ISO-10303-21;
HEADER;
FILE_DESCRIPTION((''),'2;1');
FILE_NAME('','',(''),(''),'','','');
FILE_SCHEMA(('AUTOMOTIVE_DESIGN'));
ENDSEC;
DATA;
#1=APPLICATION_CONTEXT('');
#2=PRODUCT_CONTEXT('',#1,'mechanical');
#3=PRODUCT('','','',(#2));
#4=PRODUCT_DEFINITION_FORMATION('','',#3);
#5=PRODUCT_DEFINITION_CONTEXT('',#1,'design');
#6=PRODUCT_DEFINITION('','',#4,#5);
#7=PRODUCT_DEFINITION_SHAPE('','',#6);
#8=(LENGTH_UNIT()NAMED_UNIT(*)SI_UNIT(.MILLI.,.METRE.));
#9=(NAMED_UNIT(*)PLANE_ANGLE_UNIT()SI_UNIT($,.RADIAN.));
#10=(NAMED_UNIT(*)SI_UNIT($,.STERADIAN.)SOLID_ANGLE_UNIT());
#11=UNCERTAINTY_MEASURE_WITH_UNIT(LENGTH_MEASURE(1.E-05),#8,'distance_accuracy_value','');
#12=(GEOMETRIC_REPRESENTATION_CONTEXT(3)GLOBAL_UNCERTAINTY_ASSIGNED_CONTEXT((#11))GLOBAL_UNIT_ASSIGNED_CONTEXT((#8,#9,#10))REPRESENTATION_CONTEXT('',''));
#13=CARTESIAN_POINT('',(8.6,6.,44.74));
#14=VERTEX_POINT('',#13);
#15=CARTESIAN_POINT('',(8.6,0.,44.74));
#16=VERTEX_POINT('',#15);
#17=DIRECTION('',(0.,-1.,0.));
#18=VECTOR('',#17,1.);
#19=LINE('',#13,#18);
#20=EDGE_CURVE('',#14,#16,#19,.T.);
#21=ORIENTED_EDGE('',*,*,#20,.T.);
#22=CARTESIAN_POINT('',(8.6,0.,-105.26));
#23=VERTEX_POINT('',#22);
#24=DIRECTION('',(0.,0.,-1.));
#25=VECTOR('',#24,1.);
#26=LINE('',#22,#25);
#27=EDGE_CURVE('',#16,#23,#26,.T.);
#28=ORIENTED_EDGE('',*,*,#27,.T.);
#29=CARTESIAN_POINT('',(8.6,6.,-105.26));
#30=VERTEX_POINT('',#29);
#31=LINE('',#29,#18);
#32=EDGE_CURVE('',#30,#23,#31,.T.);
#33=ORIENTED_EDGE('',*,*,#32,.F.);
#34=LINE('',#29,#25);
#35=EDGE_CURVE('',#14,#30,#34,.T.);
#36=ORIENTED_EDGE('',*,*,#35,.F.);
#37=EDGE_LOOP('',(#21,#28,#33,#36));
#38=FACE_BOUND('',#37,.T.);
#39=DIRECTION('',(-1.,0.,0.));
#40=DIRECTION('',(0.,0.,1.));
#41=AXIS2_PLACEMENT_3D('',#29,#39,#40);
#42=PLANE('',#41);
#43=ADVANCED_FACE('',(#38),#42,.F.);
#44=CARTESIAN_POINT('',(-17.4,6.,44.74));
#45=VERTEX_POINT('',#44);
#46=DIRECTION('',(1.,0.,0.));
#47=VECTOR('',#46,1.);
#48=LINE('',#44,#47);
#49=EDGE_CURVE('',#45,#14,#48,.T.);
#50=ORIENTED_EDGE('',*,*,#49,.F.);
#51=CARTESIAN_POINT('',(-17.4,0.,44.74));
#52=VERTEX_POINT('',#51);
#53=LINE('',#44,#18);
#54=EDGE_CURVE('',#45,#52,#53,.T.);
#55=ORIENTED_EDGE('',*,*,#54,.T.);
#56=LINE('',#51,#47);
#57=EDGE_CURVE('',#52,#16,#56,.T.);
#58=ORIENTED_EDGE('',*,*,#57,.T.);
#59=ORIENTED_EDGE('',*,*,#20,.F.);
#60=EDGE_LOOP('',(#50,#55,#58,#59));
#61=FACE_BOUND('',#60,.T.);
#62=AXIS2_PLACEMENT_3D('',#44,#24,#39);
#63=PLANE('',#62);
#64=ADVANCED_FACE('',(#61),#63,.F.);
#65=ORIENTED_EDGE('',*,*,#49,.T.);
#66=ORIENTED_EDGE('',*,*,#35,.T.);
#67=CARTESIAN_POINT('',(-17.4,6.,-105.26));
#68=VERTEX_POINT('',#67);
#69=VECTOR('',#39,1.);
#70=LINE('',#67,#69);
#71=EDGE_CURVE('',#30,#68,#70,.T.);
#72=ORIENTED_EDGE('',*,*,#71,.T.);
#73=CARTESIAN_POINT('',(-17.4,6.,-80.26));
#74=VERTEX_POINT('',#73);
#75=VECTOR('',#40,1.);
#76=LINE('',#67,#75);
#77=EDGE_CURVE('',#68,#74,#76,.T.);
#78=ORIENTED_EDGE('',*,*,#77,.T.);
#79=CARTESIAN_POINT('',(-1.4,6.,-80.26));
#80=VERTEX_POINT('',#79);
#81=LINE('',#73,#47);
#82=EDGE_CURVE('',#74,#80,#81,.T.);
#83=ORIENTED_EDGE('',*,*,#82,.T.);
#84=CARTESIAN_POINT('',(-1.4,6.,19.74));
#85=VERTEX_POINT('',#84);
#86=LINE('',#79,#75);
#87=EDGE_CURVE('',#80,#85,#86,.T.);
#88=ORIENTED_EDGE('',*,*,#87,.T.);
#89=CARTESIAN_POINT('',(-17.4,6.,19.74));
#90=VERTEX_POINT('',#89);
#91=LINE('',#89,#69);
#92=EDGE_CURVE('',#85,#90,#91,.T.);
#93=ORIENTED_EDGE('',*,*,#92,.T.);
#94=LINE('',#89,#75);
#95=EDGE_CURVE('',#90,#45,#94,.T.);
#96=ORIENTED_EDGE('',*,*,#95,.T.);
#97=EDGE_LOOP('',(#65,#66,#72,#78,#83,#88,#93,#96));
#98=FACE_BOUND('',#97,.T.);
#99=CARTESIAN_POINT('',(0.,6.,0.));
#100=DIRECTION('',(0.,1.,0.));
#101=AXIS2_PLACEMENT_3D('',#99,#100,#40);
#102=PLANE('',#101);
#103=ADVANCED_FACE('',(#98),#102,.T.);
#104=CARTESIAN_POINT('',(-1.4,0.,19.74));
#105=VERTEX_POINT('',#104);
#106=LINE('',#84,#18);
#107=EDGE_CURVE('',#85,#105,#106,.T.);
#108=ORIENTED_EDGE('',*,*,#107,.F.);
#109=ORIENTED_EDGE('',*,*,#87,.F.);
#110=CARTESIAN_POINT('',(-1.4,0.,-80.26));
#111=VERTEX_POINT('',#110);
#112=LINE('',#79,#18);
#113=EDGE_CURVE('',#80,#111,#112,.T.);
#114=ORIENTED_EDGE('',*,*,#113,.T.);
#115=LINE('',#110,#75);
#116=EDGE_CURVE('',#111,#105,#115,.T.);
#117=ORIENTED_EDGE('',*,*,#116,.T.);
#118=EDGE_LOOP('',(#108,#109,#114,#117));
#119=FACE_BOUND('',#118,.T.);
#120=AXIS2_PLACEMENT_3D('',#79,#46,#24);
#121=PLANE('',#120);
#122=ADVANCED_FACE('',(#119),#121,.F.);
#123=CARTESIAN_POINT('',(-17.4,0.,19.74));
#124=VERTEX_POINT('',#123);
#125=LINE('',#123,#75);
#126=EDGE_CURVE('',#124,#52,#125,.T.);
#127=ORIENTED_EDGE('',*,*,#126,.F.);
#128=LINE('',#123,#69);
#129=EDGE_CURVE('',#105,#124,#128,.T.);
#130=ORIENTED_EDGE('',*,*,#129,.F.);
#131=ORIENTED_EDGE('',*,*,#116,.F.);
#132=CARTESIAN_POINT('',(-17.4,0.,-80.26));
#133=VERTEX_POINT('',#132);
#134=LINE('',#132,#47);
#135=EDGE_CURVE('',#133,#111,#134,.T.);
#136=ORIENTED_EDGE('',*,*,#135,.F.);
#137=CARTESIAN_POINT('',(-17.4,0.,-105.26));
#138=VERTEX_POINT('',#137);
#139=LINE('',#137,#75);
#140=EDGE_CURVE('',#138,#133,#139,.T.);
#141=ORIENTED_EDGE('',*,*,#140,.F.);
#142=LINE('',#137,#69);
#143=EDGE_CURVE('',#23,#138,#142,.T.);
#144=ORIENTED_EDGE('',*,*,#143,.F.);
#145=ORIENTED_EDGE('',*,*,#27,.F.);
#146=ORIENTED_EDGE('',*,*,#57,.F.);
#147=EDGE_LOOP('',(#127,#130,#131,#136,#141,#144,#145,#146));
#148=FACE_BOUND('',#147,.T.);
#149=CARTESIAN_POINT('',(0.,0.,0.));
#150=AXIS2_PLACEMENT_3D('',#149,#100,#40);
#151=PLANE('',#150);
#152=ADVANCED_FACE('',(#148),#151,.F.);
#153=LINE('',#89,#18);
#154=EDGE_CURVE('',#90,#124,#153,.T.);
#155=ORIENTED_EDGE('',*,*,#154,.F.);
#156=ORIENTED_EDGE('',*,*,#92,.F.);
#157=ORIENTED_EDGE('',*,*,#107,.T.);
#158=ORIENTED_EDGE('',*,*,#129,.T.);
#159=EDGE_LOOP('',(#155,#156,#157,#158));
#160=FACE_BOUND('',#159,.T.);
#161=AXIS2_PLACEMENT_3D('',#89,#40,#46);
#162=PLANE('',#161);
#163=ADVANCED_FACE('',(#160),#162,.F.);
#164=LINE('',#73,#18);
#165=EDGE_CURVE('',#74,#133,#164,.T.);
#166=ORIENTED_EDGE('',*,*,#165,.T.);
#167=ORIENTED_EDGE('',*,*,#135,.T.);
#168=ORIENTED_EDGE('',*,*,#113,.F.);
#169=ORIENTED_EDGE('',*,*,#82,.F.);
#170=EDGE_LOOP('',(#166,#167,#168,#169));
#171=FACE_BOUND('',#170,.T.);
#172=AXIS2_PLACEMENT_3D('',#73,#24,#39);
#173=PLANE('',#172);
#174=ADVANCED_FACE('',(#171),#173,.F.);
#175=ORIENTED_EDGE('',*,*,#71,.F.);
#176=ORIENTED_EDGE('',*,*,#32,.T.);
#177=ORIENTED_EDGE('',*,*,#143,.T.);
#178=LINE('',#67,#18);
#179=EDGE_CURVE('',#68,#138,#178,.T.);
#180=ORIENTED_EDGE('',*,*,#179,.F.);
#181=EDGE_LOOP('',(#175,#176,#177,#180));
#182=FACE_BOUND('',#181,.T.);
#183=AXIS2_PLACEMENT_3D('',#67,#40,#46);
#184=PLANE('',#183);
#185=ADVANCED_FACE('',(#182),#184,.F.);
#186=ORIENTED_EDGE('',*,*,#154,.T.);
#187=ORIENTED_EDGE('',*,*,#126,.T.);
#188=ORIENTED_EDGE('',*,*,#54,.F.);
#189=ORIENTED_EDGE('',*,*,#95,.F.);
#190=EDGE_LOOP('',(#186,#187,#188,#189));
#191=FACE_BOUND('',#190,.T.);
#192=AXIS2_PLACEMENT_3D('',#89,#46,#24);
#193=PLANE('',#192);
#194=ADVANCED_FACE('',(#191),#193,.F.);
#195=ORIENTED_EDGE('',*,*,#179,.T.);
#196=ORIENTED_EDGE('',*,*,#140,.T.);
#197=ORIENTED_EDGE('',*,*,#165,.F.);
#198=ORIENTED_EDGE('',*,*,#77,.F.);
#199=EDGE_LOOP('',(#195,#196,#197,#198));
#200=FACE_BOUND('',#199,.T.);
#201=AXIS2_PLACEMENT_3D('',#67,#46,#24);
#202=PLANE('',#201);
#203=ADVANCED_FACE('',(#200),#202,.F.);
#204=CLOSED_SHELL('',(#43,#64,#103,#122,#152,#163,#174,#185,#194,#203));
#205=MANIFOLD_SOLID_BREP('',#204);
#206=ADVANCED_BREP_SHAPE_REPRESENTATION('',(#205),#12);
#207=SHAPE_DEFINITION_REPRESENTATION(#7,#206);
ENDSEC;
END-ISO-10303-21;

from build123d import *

# Parameters (mm, degrees)
BOSS_EXTRUDE1_DEPTH = 6


with BuildPart() as part:
    # Sketch1 → Boss-Extrude1 (new body)
    with BuildSketch(Plane(origin=(0, 0, 0), x_dir=(1, 0, 0), z_dir=(0, 1, 0))):
        Polygon((-17.4, -19.74), (-17.4, -44.74), (8.6, -44.74), (8.6, 105.26), (-17.4, 105.26), (-17.4, 80.26), (-1.4, 80.26), (-1.4, -19.74), align=None)
    extrude(amount=BOSS_EXTRUDE1_DEPTH)


solid = part.part
